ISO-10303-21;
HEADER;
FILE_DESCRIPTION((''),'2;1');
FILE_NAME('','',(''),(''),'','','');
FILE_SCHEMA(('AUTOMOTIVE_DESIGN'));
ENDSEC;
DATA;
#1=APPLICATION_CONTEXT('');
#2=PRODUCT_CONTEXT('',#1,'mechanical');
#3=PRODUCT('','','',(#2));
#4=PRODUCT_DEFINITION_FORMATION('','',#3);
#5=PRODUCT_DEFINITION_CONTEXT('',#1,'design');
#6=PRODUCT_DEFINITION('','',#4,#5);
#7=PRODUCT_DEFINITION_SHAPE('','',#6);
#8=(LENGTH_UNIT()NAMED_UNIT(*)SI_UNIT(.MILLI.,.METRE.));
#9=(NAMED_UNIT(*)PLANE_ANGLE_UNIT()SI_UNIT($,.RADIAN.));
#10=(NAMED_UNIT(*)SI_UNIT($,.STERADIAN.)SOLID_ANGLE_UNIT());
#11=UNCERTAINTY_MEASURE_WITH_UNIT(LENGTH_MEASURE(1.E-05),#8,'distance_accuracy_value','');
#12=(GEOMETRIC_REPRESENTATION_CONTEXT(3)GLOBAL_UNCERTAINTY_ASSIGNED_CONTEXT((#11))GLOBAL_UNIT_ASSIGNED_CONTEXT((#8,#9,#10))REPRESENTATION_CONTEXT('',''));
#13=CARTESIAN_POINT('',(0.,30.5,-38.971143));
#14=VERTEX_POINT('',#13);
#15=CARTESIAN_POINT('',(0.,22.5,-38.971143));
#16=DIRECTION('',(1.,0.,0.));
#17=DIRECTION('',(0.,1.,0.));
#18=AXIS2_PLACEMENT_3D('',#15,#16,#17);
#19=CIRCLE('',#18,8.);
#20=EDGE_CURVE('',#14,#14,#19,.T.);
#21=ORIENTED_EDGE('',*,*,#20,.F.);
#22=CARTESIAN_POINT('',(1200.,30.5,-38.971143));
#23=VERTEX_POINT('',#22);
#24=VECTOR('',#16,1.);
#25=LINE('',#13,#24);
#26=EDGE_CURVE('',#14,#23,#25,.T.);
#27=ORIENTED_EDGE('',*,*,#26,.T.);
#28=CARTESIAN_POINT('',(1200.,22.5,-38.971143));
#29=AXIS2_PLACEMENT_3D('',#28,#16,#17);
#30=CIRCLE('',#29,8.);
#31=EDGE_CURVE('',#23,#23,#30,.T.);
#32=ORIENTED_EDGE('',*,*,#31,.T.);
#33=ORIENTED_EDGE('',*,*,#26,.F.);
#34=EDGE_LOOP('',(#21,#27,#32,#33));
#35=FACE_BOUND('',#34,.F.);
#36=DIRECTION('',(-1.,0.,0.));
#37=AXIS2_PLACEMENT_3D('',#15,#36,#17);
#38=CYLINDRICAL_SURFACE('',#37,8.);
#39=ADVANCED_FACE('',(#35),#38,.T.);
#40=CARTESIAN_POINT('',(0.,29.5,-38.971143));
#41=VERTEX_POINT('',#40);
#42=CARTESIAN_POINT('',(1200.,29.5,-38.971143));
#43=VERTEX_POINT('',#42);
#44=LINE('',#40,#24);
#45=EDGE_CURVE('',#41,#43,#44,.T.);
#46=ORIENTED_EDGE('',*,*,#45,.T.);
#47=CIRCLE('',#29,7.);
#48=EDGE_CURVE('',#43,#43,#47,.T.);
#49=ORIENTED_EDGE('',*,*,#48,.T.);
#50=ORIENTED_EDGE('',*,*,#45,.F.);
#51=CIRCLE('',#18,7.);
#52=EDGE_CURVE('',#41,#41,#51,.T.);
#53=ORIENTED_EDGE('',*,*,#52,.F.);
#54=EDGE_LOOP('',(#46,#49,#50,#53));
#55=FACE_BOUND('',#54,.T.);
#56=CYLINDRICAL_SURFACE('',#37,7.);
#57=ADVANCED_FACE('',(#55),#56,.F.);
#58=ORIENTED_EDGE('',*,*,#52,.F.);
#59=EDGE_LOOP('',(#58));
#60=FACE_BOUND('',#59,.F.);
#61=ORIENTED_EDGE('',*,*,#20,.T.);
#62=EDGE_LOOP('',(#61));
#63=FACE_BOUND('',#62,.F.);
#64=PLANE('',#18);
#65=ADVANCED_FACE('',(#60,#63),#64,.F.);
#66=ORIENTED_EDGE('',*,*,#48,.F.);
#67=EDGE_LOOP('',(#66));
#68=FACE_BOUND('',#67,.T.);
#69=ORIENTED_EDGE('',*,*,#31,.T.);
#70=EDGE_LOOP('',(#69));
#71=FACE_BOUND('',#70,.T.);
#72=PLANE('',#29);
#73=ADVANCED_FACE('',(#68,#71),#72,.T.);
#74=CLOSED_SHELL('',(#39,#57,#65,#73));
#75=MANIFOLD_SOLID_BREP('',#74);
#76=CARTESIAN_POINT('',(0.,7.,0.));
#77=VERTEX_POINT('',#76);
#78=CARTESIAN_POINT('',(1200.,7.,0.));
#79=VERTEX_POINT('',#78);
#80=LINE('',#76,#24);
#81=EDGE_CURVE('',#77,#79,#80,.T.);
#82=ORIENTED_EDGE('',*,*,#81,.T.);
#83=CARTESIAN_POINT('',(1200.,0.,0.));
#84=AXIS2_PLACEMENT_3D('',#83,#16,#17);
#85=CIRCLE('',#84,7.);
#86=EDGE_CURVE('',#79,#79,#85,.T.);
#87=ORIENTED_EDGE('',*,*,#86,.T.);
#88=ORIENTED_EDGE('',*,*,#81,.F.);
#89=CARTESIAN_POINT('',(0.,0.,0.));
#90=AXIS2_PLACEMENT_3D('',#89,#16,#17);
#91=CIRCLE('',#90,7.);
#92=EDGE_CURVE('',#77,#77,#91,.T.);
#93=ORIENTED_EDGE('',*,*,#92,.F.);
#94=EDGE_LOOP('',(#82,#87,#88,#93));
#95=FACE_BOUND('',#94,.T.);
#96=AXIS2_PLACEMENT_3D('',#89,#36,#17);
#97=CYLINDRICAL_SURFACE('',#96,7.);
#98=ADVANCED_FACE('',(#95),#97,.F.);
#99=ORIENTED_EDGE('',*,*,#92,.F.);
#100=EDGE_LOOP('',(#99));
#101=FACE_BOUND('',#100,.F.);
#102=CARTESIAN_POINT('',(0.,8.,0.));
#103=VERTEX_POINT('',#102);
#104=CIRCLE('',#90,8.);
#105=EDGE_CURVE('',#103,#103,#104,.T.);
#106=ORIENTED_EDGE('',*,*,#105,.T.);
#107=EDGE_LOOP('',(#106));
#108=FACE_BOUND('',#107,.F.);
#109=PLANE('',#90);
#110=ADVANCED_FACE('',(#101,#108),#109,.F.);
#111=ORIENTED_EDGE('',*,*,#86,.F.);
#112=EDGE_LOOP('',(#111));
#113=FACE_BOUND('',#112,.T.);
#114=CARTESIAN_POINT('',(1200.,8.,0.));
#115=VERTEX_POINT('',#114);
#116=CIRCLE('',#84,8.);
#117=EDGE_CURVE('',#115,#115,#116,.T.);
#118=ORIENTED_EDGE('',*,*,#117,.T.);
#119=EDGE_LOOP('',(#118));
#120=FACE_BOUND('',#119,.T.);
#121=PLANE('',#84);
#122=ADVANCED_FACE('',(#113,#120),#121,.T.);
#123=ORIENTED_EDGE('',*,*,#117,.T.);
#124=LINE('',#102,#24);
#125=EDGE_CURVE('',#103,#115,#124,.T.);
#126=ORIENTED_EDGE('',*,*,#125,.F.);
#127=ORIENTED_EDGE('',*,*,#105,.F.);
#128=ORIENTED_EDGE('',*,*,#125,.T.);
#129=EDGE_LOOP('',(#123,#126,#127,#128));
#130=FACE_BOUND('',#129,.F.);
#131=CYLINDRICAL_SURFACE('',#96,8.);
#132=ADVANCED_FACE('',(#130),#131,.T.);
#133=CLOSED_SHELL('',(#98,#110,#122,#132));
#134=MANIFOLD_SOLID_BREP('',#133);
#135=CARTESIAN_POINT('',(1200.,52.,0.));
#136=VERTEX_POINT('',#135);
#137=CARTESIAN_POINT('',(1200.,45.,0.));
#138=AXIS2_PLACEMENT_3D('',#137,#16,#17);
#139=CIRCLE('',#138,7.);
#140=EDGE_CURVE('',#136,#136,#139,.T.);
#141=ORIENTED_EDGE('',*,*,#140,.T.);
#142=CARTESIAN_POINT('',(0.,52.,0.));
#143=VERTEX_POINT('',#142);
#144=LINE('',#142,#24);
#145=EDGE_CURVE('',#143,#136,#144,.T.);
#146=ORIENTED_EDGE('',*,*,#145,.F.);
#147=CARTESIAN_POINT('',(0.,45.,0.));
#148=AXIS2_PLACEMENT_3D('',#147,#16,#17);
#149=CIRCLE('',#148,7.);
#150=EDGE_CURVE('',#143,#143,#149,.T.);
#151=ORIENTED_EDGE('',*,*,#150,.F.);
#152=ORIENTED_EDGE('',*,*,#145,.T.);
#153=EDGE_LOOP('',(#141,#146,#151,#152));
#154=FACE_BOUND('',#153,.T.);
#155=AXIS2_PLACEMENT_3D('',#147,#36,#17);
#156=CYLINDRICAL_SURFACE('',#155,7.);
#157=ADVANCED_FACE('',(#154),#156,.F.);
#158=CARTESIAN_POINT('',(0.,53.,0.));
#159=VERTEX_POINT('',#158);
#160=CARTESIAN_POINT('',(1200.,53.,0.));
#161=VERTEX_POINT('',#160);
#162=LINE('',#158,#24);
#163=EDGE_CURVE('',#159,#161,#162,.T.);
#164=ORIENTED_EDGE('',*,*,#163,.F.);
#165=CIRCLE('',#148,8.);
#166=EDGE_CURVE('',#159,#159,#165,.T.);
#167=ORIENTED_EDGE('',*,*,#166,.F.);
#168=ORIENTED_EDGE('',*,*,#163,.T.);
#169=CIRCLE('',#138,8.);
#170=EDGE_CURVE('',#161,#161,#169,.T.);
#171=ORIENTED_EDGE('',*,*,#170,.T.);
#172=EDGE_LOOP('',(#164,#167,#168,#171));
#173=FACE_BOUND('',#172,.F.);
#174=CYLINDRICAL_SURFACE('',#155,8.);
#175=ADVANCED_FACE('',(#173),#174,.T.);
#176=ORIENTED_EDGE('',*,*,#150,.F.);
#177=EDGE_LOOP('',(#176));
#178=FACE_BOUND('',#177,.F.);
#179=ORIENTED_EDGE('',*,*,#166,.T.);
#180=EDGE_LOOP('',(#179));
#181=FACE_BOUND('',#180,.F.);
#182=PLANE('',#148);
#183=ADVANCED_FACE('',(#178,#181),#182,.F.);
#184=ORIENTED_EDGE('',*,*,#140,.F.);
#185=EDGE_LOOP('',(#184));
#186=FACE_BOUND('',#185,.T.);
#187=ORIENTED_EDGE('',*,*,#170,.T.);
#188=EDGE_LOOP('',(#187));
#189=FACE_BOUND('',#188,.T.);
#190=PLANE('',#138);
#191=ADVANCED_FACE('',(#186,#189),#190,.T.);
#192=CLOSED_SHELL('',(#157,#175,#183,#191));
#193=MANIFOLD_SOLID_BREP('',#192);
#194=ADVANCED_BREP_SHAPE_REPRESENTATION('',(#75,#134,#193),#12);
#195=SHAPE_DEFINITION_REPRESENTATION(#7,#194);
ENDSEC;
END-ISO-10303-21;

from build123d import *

# Parameters (mm, degrees)
F0_R     = 8
F0_R_2   = 7
F1_DEPTH = 1200


with BuildPart() as f1:
    # F0 (on Right) → F1 (new body)
    with BuildSketch(Plane.YZ):
        Circle(F0_R)
        Circle(F0_R_2, mode=Mode.SUBTRACT)
        with Locations((45, 0)):
            Circle(F0_R)
        with Locations((45, 0)):
            Circle(F0_R_2, mode=Mode.SUBTRACT)
        with Locations((22.5, -38.971143)):
            Circle(F0_R)
        with Locations((22.5, -38.971143)):
            Circle(F0_R_2, mode=Mode.SUBTRACT)
    extrude(amount=F1_DEPTH)


solid = f1.part
